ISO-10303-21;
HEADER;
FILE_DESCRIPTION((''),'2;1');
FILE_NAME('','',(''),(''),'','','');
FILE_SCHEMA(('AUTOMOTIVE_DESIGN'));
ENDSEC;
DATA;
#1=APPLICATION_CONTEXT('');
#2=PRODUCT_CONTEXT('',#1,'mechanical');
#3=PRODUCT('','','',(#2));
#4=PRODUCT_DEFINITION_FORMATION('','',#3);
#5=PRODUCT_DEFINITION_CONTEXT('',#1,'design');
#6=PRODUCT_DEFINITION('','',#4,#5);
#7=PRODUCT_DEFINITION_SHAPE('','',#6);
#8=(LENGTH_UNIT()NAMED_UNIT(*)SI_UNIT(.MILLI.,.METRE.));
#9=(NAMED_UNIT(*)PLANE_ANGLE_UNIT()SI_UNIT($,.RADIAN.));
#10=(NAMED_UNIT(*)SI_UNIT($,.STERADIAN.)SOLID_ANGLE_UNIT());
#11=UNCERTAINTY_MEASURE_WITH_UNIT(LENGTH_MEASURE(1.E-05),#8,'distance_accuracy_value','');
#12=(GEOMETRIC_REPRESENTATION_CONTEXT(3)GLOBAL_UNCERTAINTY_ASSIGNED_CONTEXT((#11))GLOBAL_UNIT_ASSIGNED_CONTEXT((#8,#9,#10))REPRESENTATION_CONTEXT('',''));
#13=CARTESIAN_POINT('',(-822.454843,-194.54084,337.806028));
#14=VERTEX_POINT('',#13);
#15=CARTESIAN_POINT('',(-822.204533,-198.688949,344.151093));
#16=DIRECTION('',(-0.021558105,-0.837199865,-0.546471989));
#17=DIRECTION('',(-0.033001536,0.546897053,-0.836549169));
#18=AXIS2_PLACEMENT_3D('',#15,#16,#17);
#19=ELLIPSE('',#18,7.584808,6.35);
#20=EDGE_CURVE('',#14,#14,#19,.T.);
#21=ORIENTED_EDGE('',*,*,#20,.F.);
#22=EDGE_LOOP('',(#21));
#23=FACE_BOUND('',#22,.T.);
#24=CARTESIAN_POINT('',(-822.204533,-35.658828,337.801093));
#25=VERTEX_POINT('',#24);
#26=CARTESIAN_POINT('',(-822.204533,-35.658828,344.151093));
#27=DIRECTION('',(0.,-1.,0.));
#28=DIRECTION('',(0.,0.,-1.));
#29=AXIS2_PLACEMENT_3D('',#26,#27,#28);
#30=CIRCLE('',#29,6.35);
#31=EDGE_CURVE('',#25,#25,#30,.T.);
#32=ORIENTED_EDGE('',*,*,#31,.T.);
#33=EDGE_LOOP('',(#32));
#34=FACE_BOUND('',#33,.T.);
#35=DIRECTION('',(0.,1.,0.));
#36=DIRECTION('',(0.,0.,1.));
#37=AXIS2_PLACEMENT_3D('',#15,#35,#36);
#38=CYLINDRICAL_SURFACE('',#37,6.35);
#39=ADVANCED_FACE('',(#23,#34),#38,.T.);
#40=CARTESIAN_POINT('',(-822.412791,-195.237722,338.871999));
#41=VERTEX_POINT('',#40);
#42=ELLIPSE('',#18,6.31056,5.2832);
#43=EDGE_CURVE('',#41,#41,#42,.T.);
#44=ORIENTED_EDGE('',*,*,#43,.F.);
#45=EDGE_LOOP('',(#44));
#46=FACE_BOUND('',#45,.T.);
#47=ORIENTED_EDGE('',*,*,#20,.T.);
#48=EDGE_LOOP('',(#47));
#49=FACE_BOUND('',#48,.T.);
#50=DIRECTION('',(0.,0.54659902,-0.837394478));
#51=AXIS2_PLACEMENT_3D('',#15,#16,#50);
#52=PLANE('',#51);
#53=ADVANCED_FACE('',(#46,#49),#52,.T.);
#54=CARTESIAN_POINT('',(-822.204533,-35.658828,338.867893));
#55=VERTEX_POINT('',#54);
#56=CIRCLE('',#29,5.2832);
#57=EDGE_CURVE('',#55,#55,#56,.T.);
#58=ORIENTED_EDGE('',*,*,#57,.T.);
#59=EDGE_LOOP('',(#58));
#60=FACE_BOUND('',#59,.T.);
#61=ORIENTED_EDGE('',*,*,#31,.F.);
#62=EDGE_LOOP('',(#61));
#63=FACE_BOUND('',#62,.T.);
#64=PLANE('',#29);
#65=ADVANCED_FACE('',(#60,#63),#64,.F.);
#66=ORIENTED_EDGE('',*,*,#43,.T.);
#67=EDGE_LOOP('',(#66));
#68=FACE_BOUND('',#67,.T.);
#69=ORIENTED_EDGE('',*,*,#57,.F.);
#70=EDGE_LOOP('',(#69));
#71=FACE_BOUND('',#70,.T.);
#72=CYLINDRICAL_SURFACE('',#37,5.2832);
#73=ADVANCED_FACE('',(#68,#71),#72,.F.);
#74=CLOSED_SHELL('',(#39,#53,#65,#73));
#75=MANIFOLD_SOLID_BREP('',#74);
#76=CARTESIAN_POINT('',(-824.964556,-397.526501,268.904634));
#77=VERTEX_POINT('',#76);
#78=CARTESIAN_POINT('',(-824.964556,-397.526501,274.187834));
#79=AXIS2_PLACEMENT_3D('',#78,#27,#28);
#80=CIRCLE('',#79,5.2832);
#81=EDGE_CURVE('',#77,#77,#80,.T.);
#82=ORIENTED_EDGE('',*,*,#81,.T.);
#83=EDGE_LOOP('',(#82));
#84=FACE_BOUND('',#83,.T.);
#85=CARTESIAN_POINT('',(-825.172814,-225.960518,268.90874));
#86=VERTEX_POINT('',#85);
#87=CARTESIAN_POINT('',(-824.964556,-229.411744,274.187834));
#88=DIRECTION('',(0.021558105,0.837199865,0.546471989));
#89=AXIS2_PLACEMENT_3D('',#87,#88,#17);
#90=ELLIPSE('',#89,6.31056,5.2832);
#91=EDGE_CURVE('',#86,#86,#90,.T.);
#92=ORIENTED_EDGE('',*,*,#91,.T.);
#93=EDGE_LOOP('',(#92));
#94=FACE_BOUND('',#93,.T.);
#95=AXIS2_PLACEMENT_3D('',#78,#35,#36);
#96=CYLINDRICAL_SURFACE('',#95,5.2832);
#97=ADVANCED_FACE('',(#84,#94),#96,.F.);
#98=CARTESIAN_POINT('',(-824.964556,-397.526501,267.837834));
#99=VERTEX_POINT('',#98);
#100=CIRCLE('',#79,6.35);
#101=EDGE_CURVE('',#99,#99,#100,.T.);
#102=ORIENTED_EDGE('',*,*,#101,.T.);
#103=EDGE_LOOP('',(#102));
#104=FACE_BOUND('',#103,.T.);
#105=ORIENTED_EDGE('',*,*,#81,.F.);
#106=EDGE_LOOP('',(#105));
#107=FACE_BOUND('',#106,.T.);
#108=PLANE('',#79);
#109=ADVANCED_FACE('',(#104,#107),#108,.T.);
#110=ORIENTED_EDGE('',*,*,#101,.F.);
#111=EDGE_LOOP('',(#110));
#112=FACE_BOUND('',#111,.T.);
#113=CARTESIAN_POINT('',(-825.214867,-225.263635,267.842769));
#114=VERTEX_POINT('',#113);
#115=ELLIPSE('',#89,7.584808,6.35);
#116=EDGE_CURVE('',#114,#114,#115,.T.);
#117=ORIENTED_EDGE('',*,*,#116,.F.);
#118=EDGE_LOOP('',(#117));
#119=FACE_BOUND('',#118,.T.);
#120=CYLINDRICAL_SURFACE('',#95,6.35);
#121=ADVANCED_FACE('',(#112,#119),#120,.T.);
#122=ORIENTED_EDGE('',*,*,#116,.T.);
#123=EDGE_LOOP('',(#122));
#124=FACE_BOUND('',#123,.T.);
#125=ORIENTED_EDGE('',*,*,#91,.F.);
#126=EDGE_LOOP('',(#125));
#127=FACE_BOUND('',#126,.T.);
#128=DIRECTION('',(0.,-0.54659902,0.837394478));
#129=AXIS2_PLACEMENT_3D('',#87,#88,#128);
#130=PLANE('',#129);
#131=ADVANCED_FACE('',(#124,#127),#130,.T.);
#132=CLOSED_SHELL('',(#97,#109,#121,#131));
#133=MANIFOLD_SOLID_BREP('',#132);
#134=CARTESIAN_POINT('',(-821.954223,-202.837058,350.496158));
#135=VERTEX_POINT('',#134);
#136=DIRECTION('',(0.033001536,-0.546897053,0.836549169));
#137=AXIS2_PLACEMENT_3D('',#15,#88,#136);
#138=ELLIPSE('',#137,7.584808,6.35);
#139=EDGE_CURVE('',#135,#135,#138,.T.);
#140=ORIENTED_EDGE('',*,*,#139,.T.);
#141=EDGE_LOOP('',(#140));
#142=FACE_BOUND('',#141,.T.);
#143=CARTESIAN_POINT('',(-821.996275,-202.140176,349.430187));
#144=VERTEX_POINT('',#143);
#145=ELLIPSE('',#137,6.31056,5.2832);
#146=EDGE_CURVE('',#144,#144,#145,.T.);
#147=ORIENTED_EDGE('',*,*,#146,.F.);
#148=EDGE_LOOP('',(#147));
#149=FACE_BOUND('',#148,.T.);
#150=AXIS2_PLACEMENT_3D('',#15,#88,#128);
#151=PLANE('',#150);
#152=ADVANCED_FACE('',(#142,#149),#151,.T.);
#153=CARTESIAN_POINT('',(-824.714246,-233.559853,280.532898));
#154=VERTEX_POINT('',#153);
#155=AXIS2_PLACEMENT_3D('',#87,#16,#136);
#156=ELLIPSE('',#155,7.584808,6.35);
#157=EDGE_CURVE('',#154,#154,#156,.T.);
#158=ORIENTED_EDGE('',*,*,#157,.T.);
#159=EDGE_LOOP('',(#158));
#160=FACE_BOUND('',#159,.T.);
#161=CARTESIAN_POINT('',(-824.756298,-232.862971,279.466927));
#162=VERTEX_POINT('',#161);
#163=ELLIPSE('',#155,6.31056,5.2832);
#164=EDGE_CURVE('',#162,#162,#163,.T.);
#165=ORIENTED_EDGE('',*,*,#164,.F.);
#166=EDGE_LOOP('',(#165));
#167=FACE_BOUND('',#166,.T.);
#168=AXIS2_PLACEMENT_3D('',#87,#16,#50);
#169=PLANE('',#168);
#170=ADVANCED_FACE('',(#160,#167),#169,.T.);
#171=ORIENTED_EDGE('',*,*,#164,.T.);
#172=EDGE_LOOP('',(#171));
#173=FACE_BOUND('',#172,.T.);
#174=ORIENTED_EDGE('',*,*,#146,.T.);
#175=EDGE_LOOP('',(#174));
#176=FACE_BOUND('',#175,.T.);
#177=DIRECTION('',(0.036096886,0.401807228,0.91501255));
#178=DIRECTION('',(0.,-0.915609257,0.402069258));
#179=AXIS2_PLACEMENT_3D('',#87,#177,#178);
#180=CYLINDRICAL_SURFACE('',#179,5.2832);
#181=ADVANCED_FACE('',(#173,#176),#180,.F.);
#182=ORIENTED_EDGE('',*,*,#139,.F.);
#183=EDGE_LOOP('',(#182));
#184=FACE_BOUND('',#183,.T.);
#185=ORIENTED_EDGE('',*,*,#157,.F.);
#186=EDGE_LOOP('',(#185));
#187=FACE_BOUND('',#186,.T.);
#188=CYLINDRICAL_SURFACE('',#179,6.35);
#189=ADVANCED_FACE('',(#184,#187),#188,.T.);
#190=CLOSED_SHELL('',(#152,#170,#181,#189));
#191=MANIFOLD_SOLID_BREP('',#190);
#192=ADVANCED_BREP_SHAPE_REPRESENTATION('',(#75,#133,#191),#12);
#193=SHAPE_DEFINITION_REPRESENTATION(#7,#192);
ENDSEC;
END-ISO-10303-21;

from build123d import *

# Parameters (mm, degrees)
SKETCH1_R                 = 6.35
SKETCH1_R_2               = 5.2832
PIPE_0_5_SCH_40_1_DEPTH   = 169.896432715
SKETCH1_ON_SEGMENT_2_R    = 6.35
SKETCH1_ON_SEGMENT_2_R_2  = 5.2832
PIPE_0_5_SCH_40_1_2_DEPTH = 90.194153874
SKETCH1_ON_SEGMENT_3_R    = 6.35
SKETCH1_ON_SEGMENT_3_R_2  = 5.2832
PIPE_0_5_SCH_40_1_3_DEPTH = 174.981068719


with BuildPart() as part:
    # Sketch1 → Pipe 0.5 SCH 40(1) (new body)
    with BuildSketch(Plane(origin=(-822.204533178, -35.658828401, 344.151093016), x_dir=(1, 0, 0), z_dir=(0, -1, 0))):
        Circle(SKETCH1_R)
        Circle(SKETCH1_R_2, mode=Mode.SUBTRACT)
    extrude(amount=PIPE_0_5_SCH_40_1_DEPTH)

    # Pipe 0.5 SCH 40(1) mitre 1
    split(bisect_by=Plane(origin=(-822.204533178, -198.688949127, 344.151093016), x_dir=(-0.999668627, 0.025741717, 0), z_dir=(0.021558105, 0.837199865, 0.546471989)), keep=Keep.TOP)


with BuildPart() as body_2:
    # Sketch1 on segment 2 (carried to segment 2) → Pipe 0.5 SCH 40_1 2 (new body)
    with BuildSketch(Plane(origin=(-821.956680698, -195.930015343, 350.433854657), x_dir=(0.999070496, -0.036096886, -0.023561801), z_dir=(-0.036096886, -0.401807228, -0.91501255))):
        Circle(SKETCH1_ON_SEGMENT_2_R)
        Circle(SKETCH1_ON_SEGMENT_2_R_2, mode=Mode.SUBTRACT)
    extrude(amount=PIPE_0_5_SCH_40_1_2_DEPTH)

    # Pipe 0.5 SCH 40_1 2 mitre 1
    split(bisect_by=Plane(origin=(-822.204533178, -198.688949127, 344.151093016), x_dir=(0.999668627, -0.025741717, 0), z_dir=(-0.021558105, -0.837199865, -0.546471989)), keep=Keep.TOP)

    # Pipe 0.5 SCH 40_1 2 mitre 2
    split(bisect_by=Plane(origin=(-824.964556297, -229.411744477, 274.187833569), x_dir=(-0.999668627, 0.025741717, 0), z_dir=(0.021558105, 0.837199865, 0.546471989)), keep=Keep.TOP)


with BuildPart() as body_3:
    # Sketch1 on segment 3 (carried to segment 3) → Pipe 0.5 SCH 40_1 3 (new body)
    with BuildSketch(Plane(origin=(-824.964556297, -222.545432488, 274.187833569), x_dir=(1, 0, 0), z_dir=(0, -1, 0))):
        Circle(SKETCH1_ON_SEGMENT_3_R)
        Circle(SKETCH1_ON_SEGMENT_3_R_2, mode=Mode.SUBTRACT)
    extrude(amount=PIPE_0_5_SCH_40_1_3_DEPTH)

    # Pipe 0.5 SCH 40_1 3 mitre 1
    split(bisect_by=Plane(origin=(-824.964556297, -229.411744477, 274.187833569), x_dir=(0.999668627, -0.025741717, 0), z_dir=(-0.021558105, -0.837199865, -0.546471989)), keep=Keep.TOP)


solid = Compound([part.part, body_2.part, body_3.part])
